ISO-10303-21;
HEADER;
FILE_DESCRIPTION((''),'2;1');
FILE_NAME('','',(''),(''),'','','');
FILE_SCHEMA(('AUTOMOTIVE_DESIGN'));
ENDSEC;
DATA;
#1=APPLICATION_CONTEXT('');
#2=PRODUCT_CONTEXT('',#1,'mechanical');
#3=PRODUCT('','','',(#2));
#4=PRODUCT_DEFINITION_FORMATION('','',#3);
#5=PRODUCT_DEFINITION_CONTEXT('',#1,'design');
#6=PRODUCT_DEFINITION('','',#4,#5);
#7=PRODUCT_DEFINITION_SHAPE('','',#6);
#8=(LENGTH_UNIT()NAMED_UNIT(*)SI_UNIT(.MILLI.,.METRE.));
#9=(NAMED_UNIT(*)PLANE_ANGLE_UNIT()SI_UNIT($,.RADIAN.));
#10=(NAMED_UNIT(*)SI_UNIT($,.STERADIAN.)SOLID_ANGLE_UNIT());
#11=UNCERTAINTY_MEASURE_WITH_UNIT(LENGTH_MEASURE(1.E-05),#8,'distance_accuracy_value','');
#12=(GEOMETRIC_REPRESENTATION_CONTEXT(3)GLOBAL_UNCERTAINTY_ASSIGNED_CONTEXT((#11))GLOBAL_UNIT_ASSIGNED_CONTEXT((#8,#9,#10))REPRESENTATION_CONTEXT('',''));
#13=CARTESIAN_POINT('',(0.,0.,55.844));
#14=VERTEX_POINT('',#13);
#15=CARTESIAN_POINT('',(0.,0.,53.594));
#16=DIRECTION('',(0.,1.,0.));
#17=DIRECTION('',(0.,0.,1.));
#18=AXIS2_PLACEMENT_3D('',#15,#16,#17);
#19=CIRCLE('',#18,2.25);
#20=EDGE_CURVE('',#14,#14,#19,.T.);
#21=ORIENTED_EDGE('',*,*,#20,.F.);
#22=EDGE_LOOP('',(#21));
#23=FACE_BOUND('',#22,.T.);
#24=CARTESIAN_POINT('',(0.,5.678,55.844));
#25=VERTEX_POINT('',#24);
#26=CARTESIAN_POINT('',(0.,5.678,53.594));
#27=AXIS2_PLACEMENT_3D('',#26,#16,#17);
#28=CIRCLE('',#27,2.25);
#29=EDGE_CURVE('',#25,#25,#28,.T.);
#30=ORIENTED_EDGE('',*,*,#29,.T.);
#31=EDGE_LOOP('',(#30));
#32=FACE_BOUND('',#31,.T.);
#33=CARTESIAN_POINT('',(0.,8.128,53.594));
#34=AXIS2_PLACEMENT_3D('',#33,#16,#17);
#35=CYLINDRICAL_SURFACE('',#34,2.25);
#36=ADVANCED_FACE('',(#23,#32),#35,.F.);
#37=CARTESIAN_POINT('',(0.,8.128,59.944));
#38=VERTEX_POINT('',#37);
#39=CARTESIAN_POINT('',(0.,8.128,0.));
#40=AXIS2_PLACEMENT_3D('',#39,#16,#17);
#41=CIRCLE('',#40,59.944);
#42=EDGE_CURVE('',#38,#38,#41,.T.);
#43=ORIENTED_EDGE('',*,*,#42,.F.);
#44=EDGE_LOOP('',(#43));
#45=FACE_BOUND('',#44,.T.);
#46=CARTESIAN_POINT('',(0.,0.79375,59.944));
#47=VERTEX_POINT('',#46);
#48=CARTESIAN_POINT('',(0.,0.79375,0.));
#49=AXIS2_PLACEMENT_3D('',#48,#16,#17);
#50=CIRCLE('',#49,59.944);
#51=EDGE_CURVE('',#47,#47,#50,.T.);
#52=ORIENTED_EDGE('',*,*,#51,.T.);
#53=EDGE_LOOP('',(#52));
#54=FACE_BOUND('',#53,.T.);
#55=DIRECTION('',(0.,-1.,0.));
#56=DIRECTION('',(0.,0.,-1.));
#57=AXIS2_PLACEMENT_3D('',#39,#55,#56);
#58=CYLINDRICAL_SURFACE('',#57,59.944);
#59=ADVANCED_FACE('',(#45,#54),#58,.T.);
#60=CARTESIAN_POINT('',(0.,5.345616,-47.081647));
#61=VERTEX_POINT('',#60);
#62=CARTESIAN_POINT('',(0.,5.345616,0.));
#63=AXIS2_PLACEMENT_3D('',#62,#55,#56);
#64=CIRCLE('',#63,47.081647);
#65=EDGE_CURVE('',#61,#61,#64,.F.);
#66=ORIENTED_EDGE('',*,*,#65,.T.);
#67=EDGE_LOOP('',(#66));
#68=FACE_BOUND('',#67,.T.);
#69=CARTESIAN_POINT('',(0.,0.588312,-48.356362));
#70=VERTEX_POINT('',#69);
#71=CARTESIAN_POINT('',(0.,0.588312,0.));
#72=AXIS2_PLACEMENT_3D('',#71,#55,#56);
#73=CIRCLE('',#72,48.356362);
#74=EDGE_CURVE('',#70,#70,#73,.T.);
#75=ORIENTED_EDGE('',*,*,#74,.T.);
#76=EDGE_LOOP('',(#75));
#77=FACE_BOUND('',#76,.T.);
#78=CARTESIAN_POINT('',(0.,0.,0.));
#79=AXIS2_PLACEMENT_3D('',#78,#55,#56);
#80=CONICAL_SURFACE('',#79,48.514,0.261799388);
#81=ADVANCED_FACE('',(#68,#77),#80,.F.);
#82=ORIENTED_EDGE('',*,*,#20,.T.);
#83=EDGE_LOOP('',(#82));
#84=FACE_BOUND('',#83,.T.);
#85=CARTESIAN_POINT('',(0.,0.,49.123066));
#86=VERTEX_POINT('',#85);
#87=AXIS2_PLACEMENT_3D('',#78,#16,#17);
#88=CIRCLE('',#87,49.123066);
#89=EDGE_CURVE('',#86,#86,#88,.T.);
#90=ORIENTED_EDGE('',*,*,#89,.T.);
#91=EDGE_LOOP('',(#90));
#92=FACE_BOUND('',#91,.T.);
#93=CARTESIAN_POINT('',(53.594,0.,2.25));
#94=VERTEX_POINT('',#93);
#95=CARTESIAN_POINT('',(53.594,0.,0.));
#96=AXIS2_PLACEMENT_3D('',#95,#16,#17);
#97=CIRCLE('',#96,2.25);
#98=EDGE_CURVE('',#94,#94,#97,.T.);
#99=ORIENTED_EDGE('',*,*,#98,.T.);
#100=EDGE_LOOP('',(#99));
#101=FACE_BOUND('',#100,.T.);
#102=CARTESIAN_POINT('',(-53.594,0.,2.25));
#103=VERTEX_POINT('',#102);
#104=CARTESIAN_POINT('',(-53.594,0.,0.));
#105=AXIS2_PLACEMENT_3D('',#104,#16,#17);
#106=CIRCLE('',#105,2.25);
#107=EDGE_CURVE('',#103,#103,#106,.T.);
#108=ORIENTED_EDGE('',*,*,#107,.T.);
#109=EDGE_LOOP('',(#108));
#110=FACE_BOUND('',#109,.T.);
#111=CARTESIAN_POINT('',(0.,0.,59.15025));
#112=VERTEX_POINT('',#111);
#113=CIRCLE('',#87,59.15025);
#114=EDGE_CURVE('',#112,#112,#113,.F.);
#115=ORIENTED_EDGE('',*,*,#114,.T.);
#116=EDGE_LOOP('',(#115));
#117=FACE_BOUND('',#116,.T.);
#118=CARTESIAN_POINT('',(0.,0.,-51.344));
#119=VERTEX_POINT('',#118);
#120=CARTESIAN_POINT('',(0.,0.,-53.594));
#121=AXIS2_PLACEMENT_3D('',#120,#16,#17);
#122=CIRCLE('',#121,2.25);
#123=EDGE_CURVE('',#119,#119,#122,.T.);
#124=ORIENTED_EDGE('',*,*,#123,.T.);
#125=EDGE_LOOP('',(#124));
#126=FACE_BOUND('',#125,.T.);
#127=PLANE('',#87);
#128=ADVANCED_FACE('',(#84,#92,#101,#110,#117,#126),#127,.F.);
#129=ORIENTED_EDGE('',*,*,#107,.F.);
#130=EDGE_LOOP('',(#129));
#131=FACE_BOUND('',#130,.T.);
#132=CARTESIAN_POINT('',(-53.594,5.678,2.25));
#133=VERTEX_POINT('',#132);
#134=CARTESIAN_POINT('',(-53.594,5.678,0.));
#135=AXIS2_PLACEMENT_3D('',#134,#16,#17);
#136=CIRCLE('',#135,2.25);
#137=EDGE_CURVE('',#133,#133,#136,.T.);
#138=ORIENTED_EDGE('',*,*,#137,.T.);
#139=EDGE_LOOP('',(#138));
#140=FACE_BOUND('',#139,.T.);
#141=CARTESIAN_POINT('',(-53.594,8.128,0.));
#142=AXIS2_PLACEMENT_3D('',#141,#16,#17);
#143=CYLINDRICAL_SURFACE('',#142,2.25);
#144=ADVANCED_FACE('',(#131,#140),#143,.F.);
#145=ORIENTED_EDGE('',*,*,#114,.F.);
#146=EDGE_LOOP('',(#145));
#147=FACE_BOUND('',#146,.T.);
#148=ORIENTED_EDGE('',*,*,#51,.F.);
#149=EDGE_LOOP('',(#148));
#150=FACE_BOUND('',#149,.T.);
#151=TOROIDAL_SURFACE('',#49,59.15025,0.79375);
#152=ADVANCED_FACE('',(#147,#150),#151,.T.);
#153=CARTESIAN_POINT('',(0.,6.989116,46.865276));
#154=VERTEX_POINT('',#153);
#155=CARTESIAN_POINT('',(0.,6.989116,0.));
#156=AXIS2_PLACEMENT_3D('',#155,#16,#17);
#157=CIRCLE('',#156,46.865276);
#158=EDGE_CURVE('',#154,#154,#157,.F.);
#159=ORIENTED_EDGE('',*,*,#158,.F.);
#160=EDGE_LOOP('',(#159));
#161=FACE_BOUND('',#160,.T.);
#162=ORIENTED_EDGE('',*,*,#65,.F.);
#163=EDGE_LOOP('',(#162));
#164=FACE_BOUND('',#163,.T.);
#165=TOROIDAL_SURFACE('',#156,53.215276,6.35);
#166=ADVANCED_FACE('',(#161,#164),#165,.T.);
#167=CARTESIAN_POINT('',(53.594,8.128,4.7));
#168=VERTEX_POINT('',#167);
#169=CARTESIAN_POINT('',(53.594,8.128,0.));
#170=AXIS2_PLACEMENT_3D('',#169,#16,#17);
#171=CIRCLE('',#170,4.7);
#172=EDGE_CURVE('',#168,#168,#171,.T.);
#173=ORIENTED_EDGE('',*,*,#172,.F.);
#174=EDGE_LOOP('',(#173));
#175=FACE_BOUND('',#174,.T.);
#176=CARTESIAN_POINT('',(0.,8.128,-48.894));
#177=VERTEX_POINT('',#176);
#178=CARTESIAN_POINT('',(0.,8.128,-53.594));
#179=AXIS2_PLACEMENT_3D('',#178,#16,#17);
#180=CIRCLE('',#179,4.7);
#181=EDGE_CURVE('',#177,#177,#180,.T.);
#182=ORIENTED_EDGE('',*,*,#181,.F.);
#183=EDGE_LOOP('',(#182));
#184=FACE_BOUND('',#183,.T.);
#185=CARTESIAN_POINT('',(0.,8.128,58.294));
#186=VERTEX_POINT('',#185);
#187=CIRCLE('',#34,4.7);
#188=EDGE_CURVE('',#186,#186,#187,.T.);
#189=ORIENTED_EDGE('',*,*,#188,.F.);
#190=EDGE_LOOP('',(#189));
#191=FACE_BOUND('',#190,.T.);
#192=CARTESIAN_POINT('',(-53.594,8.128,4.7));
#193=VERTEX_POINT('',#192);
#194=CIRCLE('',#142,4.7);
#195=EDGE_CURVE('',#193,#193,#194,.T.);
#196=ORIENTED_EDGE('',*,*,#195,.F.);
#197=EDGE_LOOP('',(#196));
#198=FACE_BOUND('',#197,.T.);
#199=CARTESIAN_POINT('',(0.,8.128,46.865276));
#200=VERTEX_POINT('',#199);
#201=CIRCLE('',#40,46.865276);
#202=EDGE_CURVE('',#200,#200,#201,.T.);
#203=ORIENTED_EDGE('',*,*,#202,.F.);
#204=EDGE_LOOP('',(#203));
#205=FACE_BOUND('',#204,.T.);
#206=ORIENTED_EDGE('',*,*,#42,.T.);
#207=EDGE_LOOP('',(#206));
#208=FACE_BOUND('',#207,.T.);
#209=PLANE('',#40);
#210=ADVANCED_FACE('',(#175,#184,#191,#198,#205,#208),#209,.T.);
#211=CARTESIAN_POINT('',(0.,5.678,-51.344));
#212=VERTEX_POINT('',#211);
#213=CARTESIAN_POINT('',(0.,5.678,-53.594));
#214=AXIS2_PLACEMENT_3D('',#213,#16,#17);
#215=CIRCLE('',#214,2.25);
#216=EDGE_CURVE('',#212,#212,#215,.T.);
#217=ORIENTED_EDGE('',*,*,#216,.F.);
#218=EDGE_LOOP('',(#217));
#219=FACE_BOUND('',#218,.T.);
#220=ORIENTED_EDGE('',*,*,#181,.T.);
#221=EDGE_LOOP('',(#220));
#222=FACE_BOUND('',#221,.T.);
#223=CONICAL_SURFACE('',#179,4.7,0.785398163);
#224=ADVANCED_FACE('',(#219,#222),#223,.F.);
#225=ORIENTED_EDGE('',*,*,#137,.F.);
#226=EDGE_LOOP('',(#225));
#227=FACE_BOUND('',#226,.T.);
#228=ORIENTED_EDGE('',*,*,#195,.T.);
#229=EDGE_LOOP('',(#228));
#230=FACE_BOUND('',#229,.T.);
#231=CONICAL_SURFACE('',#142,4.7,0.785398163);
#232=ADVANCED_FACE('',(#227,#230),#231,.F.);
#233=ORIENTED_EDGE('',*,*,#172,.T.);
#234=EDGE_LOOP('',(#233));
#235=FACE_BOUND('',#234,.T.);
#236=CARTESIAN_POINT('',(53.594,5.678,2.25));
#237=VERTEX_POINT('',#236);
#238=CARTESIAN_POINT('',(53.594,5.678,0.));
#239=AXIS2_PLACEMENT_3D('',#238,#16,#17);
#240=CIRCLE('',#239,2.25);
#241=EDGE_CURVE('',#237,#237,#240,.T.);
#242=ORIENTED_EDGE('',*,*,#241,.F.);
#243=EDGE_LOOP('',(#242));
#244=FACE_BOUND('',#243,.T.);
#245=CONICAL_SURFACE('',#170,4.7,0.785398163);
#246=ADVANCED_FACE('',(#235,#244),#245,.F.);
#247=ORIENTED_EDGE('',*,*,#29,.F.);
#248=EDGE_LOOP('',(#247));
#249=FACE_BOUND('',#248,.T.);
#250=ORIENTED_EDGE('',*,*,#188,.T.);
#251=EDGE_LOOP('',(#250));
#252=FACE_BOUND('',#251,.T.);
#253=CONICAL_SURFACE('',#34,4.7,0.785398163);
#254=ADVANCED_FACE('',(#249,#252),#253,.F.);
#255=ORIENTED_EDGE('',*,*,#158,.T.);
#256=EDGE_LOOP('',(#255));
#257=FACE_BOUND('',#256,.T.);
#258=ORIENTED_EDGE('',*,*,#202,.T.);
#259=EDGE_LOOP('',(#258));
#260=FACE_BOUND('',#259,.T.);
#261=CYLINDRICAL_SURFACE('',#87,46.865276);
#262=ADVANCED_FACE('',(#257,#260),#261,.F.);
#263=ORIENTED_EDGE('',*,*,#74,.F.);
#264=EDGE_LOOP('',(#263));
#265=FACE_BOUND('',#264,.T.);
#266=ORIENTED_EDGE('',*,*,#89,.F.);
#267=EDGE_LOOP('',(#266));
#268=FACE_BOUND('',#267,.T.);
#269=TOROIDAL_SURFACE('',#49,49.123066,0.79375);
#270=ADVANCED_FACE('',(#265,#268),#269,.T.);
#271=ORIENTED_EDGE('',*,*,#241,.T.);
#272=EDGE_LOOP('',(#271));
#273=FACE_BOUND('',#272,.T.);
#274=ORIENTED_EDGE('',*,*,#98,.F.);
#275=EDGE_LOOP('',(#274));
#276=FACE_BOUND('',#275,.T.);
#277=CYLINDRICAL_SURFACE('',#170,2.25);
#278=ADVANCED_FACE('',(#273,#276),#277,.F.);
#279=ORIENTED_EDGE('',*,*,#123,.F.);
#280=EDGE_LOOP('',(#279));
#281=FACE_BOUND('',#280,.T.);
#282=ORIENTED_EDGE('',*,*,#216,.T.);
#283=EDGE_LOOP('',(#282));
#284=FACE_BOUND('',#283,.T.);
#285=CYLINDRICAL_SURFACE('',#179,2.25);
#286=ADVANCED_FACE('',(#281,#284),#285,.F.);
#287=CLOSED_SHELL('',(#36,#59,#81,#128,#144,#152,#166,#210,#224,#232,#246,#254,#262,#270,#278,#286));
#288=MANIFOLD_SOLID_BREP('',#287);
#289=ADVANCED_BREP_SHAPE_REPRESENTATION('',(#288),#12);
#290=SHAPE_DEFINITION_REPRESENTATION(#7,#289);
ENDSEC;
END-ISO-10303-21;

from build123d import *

# Parameters (mm, degrees)
SKETCH1_R                                       = 59.944
SKETCH1_R_2                                     = 47.244
BOSS_EXTRUDE1_DEPTH                             = 8.128
CSK_FOR_M4_FLAT_HEAD_MACHINE_SCREW1_D           = 4.5
CSK_FOR_M4_FLAT_HEAD_MACHINE_SCREW1_CSINK_D     = 9.4
CSK_FOR_M4_FLAT_HEAD_MACHINE_SCREW1_CSINK_ANGLE = 90
CIRPATTERN1_COUNT                               = 4
DRAFT2_ANGLE                                    = 15
SKETCH5_R                                       = 46.865275631
CUT_EXTRUDE1_DEPTH                              = 86.162378173
FILLET1_R                                       = 6.35
FILLET2_R                                       = 0.79375


with BuildPart() as part:
    # Sketch1 → Boss-Extrude1 (new body)
    with BuildSketch(Plane(origin=(0, 0, 0), x_dir=(1, 0, 0), z_dir=(0, 1, 0))):
        with Locations(Location((0, 0, 0), (0, 0, 270))):
            Circle(SKETCH1_R)
        with Locations(Location((0, 0, 0), (0, 0, 270))):
            Circle(SKETCH1_R_2, mode=Mode.SUBTRACT)
    extrude(amount=BOSS_EXTRUDE1_DEPTH)

    # CSK for M4 Flat Head Machine Screw1 (through all)
    with Locations(Plane(origin=(0, 8.128, -53.594), x_dir=(0, 0, 1), z_dir=(0, 1, 0))):
        with Locations((0, 0)):
            csk_for_m4_flat_head_machine_screw1 = CounterSinkHole(CSK_FOR_M4_FLAT_HEAD_MACHINE_SCREW1_D / 2, CSK_FOR_M4_FLAT_HEAD_MACHINE_SCREW1_CSINK_D / 2, counter_sink_angle=CSK_FOR_M4_FLAT_HEAD_MACHINE_SCREW1_CSINK_ANGLE)

    # CirPattern1: CSK for M4 Flat Head Machine Screw1 ×4 about axis
    cirpattern1_axis = Axis((0, 0, 0), (0, 1, 0))
    for i in range(1, CIRPATTERN1_COUNT):
        add(csk_for_m4_flat_head_machine_screw1.rotate(cirpattern1_axis, i * 360 / CIRPATTERN1_COUNT), mode=Mode.SUBTRACT)

    # Draft2
    draft2_faces = [part.faces().sort_by_distance(p)[0] for p in [
        (0, 4.064, -47.244),
    ]]
    draft(draft2_faces, Plane(origin=(0, 0, 0), x_dir=(0, 0, -1), z_dir=(0, -1, 0)), DRAFT2_ANGLE)

    # Sketch4 → Cut-Revolve1 (revolve, cut)
    with BuildSketch(Plane(origin=(0, 0, 0), x_dir=(0, 0, -1), z_dir=(1, 0, 0)), mode=Mode.PRIVATE) as cut_revolve1_sk:
        Polygon((47.244, 0), (45.066108964, 8.128), (46.336108964, 8.128), (48.514, 0), align=None)
    revolve(cut_revolve1_sk.sketch.rotate(Axis((0, 8.128, 0), (0, -1, 0)), 180), axis=Axis((0, 8.128, 0), (0, -1, 0)), mode=Mode.SUBTRACT)

    # Sketch5 → Cut-Extrude1 (cut, through all)
    with BuildSketch(Plane(origin=(0, 8.128, 0), x_dir=(1, 0, 0), z_dir=(0, 1, 0))):
        with Locations(Location((0, 0, 0), (0, 0, 270))):
            Circle(SKETCH5_R)
    extrude(amount=-CUT_EXTRUDE1_DEPTH, mode=Mode.SUBTRACT)

    # Fillet1
    fillet1_edges = [part.edges().sort_by_distance(p)[0] for p in [
        (0, 6.153123114, -46.865275631),
    ]]
    fillet(fillet1_edges, radius=FILLET1_R)

    # Fillet2
    fillet2_edges = [part.edges().sort_by_distance(p)[0] for p in [
        (0, 0, -59.944),
        (0, 0, -48.514),
    ]]
    fillet(fillet2_edges, radius=FILLET2_R)


solid = part.part
